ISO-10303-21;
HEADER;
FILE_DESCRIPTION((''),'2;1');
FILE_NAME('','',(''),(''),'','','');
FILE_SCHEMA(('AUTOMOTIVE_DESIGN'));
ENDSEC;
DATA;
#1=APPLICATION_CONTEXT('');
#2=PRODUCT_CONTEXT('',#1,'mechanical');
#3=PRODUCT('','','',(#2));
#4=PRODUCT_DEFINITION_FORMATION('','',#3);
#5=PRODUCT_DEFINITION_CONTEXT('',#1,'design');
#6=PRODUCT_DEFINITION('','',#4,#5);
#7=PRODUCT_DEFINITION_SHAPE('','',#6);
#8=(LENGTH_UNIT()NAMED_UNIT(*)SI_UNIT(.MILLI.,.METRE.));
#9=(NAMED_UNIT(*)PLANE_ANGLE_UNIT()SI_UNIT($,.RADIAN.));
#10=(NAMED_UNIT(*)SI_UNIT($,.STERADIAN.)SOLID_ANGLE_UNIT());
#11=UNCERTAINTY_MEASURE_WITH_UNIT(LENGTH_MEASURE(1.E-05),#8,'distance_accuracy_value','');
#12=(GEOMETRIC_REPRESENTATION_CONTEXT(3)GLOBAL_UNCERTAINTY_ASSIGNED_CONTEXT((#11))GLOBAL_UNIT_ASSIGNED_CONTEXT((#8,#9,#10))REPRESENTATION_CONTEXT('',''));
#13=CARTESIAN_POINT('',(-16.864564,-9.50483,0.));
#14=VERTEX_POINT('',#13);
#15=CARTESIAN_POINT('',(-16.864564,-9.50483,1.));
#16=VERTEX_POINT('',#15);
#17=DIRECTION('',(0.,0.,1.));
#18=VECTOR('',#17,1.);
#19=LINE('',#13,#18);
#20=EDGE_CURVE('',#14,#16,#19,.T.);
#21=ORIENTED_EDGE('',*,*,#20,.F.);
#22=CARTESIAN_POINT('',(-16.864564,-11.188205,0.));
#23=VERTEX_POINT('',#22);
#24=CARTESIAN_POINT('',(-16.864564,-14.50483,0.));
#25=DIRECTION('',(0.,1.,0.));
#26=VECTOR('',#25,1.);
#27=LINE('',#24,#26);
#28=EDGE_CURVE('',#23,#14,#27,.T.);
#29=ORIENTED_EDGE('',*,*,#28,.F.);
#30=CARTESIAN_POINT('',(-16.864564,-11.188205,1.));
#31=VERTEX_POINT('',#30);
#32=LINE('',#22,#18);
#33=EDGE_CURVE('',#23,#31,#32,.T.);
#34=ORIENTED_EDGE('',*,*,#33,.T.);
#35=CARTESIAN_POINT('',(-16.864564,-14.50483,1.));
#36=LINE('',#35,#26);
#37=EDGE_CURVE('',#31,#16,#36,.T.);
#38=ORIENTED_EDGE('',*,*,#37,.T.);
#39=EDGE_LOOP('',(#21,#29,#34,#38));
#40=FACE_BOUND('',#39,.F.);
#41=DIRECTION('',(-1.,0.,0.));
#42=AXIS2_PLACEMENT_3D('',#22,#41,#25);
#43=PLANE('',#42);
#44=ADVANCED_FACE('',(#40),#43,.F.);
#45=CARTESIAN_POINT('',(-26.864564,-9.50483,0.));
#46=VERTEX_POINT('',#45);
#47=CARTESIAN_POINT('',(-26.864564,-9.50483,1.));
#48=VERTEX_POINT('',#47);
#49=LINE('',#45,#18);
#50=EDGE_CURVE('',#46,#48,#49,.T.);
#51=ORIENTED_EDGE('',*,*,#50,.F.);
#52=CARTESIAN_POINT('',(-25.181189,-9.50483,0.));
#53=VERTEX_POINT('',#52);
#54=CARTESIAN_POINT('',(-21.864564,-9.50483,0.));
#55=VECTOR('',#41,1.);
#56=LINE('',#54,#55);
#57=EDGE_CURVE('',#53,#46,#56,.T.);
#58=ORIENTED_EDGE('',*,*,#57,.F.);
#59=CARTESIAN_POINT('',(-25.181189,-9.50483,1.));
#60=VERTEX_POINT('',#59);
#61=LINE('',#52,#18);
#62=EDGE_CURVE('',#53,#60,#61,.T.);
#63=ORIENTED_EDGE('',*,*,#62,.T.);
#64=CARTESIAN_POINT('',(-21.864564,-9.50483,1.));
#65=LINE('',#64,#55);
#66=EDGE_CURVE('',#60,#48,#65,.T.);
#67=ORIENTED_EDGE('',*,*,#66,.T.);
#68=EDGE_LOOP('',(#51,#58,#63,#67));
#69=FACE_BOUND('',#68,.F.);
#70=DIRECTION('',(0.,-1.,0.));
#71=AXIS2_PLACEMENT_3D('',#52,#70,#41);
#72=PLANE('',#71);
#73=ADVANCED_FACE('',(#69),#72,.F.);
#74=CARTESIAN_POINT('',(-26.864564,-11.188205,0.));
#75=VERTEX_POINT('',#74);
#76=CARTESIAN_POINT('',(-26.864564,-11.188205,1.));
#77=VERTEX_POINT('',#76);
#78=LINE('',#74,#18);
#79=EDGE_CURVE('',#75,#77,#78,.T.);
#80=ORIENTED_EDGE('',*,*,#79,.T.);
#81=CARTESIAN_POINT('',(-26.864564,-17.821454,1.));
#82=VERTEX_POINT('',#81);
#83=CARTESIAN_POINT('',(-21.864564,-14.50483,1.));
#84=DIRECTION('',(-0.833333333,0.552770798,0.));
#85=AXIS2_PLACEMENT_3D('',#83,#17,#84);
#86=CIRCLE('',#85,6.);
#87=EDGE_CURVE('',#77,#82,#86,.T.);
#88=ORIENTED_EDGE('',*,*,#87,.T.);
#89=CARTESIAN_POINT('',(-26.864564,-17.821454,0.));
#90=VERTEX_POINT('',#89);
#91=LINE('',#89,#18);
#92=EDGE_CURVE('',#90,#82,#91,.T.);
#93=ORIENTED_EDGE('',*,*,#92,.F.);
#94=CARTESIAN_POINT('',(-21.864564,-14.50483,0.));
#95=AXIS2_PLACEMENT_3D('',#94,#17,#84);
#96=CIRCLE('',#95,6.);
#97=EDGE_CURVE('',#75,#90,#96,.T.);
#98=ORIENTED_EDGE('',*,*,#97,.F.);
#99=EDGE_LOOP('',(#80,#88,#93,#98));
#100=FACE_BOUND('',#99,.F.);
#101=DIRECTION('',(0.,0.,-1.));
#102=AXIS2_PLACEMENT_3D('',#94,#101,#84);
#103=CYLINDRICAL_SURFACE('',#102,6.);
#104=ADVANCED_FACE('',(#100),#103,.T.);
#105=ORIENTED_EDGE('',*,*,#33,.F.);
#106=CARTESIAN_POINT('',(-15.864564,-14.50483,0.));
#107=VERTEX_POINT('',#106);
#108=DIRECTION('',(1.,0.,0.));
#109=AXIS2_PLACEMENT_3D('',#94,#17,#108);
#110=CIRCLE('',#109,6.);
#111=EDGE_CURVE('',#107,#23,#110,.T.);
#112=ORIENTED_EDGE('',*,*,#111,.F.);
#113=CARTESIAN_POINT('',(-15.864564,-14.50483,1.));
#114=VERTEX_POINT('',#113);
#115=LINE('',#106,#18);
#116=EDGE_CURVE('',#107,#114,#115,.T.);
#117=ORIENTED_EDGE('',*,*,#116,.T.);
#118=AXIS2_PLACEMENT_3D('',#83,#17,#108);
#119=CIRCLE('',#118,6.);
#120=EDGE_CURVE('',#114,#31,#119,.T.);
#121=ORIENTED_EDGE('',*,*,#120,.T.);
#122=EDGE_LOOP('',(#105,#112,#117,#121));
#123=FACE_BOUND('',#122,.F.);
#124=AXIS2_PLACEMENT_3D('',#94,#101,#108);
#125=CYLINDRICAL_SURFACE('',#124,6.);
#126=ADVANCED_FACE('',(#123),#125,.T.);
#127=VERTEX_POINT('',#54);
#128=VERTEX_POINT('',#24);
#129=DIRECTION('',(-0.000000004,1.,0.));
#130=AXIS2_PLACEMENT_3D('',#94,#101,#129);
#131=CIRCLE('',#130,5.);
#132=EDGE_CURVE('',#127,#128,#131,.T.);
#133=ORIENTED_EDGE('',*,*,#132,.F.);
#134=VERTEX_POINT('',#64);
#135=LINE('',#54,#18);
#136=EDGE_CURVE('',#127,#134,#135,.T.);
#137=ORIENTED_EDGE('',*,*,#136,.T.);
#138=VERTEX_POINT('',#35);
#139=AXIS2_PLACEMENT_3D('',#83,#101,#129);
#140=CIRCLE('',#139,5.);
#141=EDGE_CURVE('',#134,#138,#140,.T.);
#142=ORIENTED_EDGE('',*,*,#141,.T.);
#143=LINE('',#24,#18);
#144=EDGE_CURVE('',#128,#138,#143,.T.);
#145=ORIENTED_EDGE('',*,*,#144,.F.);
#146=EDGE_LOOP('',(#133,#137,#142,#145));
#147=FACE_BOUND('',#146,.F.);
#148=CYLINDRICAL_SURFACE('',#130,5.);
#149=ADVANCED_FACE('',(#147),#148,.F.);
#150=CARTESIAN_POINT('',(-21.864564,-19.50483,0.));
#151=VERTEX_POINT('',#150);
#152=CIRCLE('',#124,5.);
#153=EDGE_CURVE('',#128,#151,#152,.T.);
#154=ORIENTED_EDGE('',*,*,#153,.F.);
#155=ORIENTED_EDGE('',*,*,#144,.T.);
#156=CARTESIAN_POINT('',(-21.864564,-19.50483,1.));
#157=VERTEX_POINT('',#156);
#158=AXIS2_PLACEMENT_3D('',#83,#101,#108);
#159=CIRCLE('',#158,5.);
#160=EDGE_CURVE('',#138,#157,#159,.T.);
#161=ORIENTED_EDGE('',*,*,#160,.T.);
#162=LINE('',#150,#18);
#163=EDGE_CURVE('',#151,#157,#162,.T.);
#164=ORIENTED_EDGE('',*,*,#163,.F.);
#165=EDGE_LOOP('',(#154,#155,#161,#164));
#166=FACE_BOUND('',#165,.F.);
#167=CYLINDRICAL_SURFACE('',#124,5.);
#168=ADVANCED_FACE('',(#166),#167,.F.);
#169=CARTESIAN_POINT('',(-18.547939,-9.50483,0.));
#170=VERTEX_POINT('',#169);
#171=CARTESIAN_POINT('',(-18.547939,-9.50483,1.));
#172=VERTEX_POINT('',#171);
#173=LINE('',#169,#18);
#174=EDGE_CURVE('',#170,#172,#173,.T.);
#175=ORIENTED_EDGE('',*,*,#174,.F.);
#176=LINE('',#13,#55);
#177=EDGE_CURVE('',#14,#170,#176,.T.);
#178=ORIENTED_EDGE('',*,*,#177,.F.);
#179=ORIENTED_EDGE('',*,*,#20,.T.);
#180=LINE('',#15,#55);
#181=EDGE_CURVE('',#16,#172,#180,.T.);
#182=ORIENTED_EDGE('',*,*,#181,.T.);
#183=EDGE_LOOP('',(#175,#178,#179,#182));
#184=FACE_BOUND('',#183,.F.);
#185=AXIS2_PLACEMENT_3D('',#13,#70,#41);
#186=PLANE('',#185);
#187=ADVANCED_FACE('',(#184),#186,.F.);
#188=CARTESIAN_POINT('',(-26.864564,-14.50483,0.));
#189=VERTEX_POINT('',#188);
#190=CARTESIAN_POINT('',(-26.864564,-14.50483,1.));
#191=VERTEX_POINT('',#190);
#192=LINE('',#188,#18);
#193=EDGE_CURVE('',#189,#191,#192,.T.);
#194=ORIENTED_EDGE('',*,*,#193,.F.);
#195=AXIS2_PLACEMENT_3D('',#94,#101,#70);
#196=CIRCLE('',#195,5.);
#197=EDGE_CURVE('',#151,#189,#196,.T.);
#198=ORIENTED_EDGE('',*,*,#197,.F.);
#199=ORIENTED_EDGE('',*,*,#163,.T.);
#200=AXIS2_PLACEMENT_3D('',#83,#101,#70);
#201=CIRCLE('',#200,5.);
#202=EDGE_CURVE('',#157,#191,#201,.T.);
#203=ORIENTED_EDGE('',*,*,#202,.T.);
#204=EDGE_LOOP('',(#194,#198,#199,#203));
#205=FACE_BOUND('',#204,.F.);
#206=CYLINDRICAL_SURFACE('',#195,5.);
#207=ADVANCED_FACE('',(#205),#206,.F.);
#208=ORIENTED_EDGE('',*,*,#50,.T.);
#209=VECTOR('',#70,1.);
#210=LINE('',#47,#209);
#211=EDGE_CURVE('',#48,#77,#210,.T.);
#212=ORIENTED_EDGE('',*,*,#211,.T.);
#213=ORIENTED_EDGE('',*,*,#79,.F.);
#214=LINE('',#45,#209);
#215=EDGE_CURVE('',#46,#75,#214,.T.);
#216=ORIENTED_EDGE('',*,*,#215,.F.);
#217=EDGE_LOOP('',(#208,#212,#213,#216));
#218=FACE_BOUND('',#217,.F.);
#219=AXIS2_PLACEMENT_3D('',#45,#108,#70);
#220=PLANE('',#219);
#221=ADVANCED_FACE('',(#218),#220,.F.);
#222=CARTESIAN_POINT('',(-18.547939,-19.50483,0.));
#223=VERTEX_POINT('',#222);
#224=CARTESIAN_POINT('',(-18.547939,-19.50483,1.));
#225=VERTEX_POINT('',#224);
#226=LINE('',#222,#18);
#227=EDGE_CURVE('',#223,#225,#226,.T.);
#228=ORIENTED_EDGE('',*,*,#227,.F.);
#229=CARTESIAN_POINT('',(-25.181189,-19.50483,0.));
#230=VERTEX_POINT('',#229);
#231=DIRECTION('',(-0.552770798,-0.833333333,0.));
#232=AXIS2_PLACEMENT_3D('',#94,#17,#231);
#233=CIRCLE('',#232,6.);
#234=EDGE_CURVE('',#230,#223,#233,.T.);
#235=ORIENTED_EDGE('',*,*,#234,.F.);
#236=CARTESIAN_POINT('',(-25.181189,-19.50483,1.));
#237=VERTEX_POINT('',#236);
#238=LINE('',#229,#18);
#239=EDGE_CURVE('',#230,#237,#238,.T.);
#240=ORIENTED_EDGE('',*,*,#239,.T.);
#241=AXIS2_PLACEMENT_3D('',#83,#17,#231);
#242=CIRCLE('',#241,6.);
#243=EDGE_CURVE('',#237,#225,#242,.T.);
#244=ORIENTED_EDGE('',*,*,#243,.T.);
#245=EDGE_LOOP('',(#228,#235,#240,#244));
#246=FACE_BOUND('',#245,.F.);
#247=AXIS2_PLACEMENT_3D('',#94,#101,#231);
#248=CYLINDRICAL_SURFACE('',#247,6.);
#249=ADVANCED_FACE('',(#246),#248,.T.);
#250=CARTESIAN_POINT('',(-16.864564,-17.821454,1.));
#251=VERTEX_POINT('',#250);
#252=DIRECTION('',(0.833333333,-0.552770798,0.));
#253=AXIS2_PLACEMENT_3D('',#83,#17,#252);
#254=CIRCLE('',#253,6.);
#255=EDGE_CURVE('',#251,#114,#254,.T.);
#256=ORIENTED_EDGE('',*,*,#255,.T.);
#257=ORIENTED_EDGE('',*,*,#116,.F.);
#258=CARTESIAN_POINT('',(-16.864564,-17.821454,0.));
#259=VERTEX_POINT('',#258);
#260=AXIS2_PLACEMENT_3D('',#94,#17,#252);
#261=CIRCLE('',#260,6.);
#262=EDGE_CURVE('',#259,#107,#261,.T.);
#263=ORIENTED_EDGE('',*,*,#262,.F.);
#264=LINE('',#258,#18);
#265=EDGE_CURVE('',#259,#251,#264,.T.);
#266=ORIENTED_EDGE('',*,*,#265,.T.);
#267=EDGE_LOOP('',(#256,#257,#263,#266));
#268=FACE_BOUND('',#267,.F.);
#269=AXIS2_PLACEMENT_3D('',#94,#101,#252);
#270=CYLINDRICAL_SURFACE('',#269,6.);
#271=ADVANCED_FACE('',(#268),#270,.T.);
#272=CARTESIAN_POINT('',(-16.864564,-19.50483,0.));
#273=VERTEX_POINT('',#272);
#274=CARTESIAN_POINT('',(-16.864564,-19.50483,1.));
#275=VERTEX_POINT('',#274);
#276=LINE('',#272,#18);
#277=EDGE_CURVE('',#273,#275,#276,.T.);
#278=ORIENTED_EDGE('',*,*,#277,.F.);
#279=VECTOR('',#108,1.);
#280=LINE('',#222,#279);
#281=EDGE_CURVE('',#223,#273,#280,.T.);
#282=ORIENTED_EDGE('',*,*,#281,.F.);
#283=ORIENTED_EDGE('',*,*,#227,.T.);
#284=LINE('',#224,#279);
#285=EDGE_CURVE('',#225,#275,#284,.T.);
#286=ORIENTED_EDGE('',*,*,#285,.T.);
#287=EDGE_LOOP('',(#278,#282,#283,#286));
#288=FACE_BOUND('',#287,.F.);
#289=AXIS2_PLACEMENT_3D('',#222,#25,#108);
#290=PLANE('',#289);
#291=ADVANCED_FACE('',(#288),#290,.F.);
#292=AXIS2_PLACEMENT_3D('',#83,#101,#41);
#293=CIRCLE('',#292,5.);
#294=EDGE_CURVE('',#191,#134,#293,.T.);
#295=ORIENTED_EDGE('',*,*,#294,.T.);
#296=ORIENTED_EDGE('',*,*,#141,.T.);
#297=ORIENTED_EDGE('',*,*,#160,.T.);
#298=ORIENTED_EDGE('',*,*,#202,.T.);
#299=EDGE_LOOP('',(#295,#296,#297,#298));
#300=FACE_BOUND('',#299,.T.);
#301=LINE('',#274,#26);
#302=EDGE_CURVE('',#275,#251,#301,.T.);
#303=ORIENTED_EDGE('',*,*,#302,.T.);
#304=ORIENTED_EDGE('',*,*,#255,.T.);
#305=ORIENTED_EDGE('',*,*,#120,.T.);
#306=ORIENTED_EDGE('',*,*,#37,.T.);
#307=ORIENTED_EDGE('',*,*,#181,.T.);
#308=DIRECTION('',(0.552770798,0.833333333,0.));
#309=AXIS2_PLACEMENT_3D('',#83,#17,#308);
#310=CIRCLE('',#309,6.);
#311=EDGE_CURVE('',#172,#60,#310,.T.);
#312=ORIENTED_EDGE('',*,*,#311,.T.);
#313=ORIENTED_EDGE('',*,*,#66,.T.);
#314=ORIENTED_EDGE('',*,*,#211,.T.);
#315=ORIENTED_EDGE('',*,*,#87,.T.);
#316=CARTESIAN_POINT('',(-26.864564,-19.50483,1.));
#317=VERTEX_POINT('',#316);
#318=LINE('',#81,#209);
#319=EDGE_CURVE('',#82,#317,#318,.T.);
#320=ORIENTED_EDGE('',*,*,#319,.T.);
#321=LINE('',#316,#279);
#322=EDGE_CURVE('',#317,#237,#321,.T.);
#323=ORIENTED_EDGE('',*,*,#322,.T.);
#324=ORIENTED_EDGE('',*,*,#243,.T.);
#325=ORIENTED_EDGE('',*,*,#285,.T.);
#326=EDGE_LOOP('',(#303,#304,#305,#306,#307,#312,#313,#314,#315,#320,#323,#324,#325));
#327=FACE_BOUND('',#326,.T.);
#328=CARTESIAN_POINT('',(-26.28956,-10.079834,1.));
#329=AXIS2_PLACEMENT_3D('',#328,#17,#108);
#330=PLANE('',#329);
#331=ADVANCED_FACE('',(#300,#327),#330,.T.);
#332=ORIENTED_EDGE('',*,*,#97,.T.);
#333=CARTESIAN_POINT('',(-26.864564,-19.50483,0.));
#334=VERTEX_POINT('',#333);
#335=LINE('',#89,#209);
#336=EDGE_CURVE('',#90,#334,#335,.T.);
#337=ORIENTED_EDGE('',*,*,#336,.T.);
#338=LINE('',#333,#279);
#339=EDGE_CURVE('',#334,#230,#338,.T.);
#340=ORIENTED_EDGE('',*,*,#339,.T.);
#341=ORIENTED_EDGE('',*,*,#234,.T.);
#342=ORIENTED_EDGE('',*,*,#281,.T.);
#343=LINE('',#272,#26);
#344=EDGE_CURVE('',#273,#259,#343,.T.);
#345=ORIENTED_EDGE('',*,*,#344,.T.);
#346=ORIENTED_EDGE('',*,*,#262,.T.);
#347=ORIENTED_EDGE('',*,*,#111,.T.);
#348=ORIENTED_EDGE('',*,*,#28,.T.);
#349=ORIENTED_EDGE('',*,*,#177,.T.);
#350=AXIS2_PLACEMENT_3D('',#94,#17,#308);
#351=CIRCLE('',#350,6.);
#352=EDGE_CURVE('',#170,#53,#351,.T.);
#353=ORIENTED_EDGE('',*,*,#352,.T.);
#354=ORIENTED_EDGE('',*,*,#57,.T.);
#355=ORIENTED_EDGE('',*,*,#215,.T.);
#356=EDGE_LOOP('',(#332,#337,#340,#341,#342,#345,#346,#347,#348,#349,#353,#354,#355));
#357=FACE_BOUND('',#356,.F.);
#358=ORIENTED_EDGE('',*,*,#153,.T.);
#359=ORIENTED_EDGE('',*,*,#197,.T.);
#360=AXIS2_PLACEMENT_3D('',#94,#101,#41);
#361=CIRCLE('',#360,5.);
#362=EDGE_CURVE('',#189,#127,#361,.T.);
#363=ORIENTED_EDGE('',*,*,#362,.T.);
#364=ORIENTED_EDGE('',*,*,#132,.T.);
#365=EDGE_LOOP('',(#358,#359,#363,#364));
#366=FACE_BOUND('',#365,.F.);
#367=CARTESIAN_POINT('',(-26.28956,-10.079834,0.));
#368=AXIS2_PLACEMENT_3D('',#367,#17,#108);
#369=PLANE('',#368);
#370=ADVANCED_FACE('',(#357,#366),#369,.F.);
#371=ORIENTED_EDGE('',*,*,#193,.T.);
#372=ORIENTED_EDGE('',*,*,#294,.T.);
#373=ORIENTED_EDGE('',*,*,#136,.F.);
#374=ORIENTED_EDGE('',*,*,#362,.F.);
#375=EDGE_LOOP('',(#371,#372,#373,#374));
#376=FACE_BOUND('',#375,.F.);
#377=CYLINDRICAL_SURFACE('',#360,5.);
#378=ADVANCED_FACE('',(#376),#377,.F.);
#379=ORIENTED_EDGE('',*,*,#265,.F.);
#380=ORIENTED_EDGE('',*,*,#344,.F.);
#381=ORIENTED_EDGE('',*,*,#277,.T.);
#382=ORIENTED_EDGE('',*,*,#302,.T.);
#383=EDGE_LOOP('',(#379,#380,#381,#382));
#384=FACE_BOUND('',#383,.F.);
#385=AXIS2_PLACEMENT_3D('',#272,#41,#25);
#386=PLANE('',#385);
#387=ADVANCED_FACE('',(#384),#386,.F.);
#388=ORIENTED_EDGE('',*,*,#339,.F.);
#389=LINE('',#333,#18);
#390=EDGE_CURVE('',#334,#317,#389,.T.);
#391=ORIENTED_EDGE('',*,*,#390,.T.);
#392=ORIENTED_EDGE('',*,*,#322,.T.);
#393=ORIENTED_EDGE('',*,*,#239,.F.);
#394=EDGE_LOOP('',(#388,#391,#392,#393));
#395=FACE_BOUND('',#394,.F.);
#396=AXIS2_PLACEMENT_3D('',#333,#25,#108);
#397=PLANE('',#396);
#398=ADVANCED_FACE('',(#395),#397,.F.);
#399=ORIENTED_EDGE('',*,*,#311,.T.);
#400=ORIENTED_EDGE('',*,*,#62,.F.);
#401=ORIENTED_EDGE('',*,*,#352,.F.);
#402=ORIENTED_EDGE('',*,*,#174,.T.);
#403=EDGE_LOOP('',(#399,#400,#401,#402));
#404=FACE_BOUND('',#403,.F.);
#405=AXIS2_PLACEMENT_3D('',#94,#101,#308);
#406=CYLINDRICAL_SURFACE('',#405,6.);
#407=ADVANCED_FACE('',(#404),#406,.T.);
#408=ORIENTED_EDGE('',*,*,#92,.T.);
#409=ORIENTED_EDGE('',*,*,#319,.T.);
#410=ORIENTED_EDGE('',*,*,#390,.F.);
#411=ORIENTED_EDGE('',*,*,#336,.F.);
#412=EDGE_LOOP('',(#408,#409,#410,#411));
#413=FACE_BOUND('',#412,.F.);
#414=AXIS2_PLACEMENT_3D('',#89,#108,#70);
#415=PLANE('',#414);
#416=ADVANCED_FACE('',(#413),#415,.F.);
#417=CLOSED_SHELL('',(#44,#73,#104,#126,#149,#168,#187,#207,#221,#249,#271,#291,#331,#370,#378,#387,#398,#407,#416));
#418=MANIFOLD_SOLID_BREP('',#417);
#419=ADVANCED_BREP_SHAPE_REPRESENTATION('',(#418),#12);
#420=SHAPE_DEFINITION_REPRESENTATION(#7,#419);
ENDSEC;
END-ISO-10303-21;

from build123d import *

# Parameters (mm, degrees)
F1_DEPTH = 1


with BuildPart() as f1:
    # F0 (on Top) → F1 (new body)
    with BuildSketch(Plane.XY):
        with BuildLine():
            Line((-25.1811890601, -9.5048295334), (-26.8645642698, -9.5048295334))
            Line((-26.8645642698, -9.5048295334), (-26.8645642698, -11.188204743))
            ThreePointArc((-26.8645642698, -11.188204743), (-26.1072049569, -10.2621888463), (-25.1811890601, -9.5048295334))
        make_face()
        with BuildLine():
            ThreePointArc((-25.1811890601, -9.5048295334), (-26.1072049569, -10.2621888463), (-26.8645642698, -11.188204743))
            Line((-26.8645642698, -11.188204743), (-26.8645642698, -14.5048295334))
            ThreePointArc((-26.8645642698, -14.5048295334), (-25.4000981824, -10.9692956341), (-21.8645642886, -9.5048295334))
            Line((-21.8645642886, -9.5048295334), (-25.1811890601, -9.5048295334))
        make_face()
        with BuildLine():
            Line((-26.8645642698, -14.5048295334), (-26.8645642698, -11.188204743))
            ThreePointArc((-26.8645642698, -11.188204743), (-27.8645642698, -14.5048295334), (-26.8645642698, -17.8214543238))
            Line((-26.8645642698, -17.8214543238), (-26.8645642698, -14.5048295334))
        make_face()
        with BuildLine():
            ThreePointArc((-18.5479394794, -9.5048295334), (-21.8645642698, -8.5048295334), (-25.1811890601, -9.5048295334))
            Line((-25.1811890601, -9.5048295334), (-21.8645642886, -9.5048295334))
            Line((-21.8645642886, -9.5048295334), (-18.5479394794, -9.5048295334))
        make_face()
        with BuildLine():
            ThreePointArc((-21.8645642698, -19.5048295334), (-25.4000981757, -18.0403634393), (-26.8645642698, -14.5048295334))
            Line((-26.8645642698, -14.5048295334), (-26.8645642698, -17.8214543238))
            ThreePointArc((-26.8645642698, -17.8214543238), (-26.1072049569, -18.7474702205), (-25.1811890601, -19.5048295334))
            Line((-25.1811890601, -19.5048295334), (-21.8645642698, -19.5048295334))
        make_face()
        with BuildLine():
            ThreePointArc((-25.1811890601, -19.5048295334), (-26.1072049569, -18.7474702205), (-26.8645642698, -17.8214543238))
            Line((-26.8645642698, -17.8214543238), (-26.8645642698, -19.5048295334))
            Line((-26.8645642698, -19.5048295334), (-25.1811890601, -19.5048295334))
        make_face()
        with BuildLine():
            Line((-18.5479394794, -9.5048295334), (-21.8645642886, -9.5048295334))
            ThreePointArc((-21.8645642886, -9.5048295334), (-18.3290303705, -10.9692956208), (-16.8645642698, -14.5048295334))
            Line((-16.8645642698, -14.5048295334), (-16.8645642698, -11.188204743))
            ThreePointArc((-16.8645642698, -11.188204743), (-17.6219235827, -10.2621888463), (-18.5479394794, -9.5048295334))
        make_face()
        with BuildLine():
            Line((-16.8645642698, -9.5048295334), (-18.5479394794, -9.5048295334))
            ThreePointArc((-18.5479394794, -9.5048295334), (-17.6219235827, -10.2621888463), (-16.8645642698, -11.188204743))
            Line((-16.8645642698, -11.188204743), (-16.8645642698, -9.5048295334))
        make_face()
        with BuildLine():
            Line((-18.5479394794, -19.5048295334), (-21.8645642698, -19.5048295334))
            Line((-21.8645642698, -19.5048295334), (-25.1811890601, -19.5048295334))
            ThreePointArc((-25.1811890601, -19.5048295334), (-21.8645642698, -20.5048295334), (-18.5479394794, -19.5048295334))
        make_face()
        with BuildLine():
            ThreePointArc((-16.8645642698, -14.5048295334), (-18.3290303638, -18.0403634393), (-21.8645642698, -19.5048295334))
            Line((-21.8645642698, -19.5048295334), (-18.5479394794, -19.5048295334))
            ThreePointArc((-18.5479394794, -19.5048295334), (-17.6219235827, -18.7474702205), (-16.8645642698, -17.8214543238))
            Line((-16.8645642698, -17.8214543238), (-16.8645642698, -14.5048295334))
        make_face()
        with BuildLine():
            Line((-16.8645642698, -11.188204743), (-16.8645642698, -14.5048295334))
            Line((-16.8645642698, -14.5048295334), (-16.8645642698, -17.8214543238))
            ThreePointArc((-16.8645642698, -17.8214543238), (-16.1200016232, -16.236880341), (-15.8645642698, -14.5048295334))
            ThreePointArc((-15.8645642698, -14.5048295334), (-16.1200016232, -12.7727787258), (-16.8645642698, -11.188204743))
        make_face()
        with BuildLine():
            ThreePointArc((-16.8645642698, -17.8214543238), (-17.6219235827, -18.7474702205), (-18.5479394794, -19.5048295334))
            Line((-18.5479394794, -19.5048295334), (-16.8645642698, -19.5048295334))
            Line((-16.8645642698, -19.5048295334), (-16.8645642698, -17.8214543238))
        make_face()
    extrude(amount=F1_DEPTH)


solid = f1.part
